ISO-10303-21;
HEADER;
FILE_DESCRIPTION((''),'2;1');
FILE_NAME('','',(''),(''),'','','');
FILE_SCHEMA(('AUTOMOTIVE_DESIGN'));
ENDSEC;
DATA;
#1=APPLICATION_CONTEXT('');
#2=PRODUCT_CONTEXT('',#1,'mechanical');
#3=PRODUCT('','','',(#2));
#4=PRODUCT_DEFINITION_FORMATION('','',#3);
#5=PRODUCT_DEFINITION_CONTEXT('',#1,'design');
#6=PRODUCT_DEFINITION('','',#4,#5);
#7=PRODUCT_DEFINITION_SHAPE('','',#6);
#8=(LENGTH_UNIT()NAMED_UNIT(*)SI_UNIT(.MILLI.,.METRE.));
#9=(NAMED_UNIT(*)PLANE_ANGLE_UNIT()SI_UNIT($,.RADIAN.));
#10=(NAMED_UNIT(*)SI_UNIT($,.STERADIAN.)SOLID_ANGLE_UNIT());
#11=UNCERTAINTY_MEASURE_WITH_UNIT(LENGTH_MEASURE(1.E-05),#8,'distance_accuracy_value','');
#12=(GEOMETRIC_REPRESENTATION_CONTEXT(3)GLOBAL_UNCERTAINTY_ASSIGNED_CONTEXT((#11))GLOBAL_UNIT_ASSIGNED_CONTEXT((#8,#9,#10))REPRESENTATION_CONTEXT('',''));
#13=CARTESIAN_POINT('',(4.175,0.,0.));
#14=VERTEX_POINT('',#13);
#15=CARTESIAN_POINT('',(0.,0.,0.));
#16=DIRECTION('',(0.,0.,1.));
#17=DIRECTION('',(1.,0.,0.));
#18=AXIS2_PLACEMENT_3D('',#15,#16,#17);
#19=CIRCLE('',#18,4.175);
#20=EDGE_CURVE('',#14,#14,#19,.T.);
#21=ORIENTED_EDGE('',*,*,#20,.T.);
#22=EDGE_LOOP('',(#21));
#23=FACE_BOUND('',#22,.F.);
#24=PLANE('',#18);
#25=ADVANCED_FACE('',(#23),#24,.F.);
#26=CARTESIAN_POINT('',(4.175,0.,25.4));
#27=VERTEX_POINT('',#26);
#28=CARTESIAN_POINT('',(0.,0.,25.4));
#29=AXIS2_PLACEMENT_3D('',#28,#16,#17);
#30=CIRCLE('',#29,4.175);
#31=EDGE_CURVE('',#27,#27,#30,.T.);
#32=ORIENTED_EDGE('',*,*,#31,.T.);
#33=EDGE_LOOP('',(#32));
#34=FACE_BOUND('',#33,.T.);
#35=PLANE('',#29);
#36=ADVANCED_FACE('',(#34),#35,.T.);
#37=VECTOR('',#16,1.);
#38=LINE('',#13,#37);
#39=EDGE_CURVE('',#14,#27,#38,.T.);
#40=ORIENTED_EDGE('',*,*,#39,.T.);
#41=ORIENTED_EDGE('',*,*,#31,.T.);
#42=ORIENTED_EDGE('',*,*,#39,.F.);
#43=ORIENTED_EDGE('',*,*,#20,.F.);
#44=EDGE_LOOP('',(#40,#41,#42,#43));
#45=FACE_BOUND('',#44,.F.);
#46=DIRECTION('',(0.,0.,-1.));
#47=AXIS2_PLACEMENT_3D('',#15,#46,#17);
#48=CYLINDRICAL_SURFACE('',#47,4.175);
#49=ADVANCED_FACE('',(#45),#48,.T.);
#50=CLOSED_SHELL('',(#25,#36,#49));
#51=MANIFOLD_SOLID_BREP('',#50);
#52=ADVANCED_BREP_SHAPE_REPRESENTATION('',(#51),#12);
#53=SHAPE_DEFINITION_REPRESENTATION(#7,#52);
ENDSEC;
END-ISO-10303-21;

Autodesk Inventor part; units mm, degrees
ref_plane "YZ Plane" through (0, 0, 0) normal (1, 0, 0) x (0, 1, 0)
ref_plane "XZ Plane" through (0, 0, 0) normal (0, 1, 0) x (-1, 0, 0)
ref_plane "XY Plane" through (0, 0, 0) normal (0, 0, 1) x (1, 0, 0)
sketch "Sketch1" plane through (0, 0, 0) normal (0, 0, 1) x (1, 0, 0)
  circle A0 centre (0, 0) radius 4.175
  dimension "d0" = 8.35
extrude "Extrusion1" add sketch "Sketch1" along normal blind 25.4
properties part number "rod4"
